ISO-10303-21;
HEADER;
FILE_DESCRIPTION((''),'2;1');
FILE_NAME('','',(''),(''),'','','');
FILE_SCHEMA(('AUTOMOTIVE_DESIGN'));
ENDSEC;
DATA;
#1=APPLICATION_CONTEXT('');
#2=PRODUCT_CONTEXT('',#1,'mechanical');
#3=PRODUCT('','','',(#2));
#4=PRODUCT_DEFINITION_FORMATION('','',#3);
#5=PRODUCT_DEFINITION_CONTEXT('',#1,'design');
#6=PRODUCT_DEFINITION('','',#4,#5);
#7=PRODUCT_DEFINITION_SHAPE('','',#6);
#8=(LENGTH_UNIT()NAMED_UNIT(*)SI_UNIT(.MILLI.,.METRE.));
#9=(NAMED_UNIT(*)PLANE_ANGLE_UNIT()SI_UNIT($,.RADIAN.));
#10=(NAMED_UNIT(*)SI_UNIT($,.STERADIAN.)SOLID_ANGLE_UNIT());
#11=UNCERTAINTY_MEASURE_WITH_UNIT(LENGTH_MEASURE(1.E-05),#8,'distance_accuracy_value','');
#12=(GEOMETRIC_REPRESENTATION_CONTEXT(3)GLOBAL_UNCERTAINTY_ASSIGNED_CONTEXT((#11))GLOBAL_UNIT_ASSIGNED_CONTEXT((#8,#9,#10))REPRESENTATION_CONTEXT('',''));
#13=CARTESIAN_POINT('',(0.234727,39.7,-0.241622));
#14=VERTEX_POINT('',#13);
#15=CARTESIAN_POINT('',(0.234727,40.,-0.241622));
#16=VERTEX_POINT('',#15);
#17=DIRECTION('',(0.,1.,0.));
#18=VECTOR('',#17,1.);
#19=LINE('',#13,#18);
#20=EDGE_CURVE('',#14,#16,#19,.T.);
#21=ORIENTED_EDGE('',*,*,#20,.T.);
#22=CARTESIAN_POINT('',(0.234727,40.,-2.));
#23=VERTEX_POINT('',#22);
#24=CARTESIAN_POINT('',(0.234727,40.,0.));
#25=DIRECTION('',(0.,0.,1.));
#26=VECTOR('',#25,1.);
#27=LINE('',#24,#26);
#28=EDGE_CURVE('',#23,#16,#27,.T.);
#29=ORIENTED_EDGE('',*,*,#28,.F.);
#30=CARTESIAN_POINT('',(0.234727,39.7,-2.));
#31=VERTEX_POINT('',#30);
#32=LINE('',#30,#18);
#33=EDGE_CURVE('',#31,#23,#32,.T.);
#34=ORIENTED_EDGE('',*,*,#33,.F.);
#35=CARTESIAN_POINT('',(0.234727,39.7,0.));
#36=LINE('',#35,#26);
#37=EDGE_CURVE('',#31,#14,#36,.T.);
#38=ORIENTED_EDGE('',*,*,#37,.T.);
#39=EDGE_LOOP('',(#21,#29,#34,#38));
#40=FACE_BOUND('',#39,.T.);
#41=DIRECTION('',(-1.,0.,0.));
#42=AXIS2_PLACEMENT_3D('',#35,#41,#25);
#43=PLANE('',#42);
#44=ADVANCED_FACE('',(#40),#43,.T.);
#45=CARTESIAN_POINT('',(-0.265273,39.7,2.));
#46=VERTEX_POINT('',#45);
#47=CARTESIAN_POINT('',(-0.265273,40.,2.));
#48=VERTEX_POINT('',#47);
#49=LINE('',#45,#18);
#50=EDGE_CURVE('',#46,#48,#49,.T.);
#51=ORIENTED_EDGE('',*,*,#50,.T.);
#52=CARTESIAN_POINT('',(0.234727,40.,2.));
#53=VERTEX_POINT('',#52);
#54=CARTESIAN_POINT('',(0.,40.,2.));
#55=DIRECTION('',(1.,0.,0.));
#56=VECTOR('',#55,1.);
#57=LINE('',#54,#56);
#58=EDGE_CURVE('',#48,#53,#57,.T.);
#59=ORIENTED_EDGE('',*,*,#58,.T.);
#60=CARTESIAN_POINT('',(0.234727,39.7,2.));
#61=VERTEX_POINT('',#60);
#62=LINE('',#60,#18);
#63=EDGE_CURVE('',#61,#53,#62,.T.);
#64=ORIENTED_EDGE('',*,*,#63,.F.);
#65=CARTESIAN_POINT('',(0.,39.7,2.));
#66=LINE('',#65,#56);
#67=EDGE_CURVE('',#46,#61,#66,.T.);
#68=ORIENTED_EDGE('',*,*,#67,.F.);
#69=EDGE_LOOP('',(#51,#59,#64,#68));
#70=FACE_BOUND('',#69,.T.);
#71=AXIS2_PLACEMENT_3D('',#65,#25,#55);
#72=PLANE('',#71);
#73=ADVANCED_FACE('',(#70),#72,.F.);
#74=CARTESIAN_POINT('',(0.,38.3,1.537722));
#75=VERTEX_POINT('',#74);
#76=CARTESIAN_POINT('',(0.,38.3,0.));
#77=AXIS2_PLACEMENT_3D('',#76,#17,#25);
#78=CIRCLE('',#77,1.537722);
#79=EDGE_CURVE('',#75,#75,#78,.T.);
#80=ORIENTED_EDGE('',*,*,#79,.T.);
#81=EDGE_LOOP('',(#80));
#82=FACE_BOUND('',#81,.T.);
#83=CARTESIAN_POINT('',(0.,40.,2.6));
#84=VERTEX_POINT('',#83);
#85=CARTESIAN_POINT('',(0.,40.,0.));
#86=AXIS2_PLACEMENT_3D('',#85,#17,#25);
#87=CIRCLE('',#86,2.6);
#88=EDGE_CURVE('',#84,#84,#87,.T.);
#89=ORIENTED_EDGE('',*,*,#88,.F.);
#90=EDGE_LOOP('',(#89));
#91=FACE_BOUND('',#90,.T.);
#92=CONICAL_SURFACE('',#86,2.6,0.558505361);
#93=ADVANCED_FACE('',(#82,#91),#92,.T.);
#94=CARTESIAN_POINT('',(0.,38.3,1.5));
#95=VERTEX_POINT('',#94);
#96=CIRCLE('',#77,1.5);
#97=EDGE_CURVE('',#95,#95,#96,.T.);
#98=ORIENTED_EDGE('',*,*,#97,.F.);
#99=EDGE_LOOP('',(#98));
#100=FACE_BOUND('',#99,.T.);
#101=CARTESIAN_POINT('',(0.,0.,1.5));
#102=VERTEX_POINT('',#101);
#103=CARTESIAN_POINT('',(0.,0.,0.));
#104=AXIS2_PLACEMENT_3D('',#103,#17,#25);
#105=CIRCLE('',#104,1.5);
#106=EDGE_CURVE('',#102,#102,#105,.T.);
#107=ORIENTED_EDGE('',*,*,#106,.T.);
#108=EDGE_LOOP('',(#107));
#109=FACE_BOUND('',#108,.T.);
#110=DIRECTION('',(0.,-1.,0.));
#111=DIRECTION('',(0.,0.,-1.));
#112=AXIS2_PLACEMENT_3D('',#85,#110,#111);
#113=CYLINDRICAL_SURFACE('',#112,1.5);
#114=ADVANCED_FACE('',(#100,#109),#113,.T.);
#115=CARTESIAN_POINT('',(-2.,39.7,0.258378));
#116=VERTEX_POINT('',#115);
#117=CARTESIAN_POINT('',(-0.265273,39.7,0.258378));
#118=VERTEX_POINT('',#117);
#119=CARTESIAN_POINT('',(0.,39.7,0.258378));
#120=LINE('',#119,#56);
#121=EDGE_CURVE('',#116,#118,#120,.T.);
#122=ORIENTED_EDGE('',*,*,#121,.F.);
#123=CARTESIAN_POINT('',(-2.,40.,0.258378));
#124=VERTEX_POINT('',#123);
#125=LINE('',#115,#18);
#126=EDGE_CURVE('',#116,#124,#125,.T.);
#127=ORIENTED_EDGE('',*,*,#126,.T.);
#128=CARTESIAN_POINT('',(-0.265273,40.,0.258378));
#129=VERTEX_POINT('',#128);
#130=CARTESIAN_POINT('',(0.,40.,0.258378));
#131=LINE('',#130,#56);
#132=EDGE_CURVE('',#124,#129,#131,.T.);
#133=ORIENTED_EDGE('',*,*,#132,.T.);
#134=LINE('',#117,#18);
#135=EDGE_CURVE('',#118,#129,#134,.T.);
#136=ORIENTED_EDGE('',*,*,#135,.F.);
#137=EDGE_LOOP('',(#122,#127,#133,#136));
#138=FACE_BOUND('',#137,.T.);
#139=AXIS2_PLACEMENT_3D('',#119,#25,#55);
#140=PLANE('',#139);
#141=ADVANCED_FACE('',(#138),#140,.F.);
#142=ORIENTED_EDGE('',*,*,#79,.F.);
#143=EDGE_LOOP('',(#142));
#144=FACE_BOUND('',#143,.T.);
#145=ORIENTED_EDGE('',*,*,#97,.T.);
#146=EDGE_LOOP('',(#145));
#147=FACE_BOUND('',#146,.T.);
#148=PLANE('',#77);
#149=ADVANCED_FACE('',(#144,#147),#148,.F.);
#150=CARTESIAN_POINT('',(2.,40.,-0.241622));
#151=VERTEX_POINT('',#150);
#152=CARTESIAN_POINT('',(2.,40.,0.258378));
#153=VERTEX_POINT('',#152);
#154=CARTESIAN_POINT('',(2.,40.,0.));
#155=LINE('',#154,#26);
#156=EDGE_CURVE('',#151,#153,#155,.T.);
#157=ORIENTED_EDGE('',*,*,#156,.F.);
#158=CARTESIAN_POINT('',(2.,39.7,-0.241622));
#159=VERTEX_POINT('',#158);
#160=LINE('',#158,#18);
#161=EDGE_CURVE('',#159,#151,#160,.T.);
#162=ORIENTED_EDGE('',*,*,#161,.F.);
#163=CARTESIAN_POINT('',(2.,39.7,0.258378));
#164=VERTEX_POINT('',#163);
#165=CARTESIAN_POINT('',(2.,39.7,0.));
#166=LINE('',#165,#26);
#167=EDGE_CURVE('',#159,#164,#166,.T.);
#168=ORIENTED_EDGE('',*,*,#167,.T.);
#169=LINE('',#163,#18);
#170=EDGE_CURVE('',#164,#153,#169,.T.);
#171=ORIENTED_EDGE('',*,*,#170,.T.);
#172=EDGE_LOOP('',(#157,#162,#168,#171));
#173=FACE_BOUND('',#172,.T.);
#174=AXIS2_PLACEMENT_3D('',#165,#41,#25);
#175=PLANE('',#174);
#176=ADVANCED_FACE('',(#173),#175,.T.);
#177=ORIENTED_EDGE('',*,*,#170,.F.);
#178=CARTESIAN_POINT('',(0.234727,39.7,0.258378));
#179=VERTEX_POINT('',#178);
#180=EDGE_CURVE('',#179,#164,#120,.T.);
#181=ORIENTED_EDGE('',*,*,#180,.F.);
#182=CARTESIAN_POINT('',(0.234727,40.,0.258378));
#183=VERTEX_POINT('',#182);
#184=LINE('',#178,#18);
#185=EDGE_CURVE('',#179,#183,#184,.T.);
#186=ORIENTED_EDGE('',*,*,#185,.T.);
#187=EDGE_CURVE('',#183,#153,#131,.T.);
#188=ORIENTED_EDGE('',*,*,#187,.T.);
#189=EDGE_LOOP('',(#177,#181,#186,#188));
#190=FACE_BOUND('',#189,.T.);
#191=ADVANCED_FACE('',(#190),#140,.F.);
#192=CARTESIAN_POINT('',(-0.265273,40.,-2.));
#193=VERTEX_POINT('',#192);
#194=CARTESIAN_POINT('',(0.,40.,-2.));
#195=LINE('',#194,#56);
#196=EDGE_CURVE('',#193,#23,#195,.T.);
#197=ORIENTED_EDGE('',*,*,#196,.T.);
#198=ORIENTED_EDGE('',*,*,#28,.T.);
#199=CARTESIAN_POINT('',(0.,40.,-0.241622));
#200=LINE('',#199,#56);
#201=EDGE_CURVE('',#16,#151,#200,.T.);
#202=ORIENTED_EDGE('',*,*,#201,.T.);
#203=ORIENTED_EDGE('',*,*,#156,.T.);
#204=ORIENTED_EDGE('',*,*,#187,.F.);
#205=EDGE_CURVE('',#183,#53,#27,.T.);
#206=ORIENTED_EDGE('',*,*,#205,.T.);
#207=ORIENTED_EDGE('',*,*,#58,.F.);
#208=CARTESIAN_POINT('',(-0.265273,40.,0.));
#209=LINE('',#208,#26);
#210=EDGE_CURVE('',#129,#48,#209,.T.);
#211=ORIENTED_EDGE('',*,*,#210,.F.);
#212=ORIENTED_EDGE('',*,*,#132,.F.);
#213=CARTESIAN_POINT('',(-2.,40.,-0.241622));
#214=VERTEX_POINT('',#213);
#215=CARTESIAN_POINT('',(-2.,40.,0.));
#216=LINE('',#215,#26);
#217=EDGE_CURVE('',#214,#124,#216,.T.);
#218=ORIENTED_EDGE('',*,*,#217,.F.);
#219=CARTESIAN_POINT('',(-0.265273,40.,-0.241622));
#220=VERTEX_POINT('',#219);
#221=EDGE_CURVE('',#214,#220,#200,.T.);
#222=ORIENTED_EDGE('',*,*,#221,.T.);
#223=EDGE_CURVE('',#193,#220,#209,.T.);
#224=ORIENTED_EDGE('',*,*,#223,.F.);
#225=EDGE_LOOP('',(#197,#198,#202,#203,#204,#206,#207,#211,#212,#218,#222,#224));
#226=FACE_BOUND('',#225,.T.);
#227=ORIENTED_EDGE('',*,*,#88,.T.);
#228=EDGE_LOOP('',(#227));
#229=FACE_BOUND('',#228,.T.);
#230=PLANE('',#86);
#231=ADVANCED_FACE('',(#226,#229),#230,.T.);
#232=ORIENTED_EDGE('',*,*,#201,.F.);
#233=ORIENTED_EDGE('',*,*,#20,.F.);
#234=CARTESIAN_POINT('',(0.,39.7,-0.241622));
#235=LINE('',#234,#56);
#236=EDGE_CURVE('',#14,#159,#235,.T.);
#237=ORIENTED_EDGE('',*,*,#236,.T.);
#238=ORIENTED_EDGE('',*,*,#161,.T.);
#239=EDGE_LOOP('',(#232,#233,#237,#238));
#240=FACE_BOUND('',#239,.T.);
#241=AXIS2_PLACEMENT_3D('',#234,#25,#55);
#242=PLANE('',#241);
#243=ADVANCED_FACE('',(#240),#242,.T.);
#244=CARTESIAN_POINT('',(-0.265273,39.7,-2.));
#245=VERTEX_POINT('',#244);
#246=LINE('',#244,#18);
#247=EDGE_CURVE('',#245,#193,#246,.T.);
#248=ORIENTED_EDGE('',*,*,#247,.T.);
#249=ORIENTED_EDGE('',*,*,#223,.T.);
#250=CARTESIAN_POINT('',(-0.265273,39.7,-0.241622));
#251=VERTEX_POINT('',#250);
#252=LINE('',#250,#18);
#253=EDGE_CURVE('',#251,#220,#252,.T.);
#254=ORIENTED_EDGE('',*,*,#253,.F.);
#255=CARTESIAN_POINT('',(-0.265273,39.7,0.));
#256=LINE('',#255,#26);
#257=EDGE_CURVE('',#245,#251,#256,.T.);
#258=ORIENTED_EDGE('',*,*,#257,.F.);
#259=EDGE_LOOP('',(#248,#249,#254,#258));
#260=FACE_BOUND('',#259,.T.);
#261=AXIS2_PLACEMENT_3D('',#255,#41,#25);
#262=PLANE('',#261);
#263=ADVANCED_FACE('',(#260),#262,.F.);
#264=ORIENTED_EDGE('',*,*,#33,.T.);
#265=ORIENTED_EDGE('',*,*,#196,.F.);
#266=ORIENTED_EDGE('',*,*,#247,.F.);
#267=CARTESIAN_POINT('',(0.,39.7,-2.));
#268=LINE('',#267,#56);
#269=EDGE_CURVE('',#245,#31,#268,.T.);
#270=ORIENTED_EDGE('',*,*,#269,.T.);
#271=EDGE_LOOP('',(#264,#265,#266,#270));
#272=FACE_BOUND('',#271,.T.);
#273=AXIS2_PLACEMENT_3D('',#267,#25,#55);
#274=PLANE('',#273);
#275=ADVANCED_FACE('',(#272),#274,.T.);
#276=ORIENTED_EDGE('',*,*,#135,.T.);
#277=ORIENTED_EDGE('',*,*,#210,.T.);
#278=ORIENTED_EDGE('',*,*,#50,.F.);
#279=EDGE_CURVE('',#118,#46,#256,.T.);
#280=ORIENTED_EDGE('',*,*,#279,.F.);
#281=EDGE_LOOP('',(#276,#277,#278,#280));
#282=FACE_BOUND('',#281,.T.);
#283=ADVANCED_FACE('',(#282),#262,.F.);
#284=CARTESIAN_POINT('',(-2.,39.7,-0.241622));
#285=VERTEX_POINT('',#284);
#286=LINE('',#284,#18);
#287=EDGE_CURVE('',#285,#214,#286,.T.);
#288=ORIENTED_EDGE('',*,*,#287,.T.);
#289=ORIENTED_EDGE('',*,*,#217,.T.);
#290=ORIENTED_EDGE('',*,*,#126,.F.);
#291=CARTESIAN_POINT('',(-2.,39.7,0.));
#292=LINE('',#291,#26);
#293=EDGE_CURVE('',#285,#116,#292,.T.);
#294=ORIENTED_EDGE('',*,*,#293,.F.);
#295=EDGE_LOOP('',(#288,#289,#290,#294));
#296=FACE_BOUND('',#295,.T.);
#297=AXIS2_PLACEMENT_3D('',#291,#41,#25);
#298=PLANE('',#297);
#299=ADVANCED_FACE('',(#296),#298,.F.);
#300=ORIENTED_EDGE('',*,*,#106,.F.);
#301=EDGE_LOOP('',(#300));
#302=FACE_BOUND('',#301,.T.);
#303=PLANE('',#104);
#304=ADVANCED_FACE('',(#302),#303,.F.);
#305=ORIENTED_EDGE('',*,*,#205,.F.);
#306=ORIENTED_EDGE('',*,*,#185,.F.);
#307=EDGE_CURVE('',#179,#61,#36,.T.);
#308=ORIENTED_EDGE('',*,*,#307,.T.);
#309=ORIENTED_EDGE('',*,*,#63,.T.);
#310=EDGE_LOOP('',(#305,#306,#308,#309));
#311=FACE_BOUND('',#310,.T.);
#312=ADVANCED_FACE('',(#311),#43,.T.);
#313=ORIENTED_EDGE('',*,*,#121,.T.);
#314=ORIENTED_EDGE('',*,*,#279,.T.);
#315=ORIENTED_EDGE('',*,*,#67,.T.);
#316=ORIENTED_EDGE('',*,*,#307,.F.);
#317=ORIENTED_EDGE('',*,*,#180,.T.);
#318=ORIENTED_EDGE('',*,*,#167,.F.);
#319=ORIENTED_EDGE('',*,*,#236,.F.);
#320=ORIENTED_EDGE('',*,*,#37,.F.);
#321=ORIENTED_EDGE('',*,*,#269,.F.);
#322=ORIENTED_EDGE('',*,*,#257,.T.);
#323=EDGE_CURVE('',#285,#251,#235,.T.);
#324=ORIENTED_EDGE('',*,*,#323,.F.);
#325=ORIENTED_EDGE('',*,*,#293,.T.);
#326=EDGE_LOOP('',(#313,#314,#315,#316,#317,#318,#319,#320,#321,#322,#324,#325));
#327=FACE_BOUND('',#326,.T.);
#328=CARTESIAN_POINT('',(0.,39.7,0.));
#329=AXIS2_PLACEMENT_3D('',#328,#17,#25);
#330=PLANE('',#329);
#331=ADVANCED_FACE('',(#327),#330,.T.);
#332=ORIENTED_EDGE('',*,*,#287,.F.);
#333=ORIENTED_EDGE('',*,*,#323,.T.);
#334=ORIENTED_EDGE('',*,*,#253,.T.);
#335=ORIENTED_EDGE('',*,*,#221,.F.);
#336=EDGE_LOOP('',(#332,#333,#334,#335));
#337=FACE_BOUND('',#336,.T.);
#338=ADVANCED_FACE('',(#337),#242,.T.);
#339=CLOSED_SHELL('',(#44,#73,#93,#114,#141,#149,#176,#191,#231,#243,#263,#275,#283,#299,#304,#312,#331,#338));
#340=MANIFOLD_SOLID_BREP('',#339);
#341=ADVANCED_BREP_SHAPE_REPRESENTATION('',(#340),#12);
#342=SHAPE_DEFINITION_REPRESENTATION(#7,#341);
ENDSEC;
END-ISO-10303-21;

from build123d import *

# Parameters (mm, degrees)
SKETCH1_R           = 1.5
BOSS_EXTRUDE1_DEPTH = 40
SKETCH2_R           = 2.6
BOSS_EXTRUDE2_DEPTH = 1.7
BOSS_EXTRUDE2_TAPER = 32
SKETCH3_W           = 0.5
SKETCH3_H           = 1.758378485
SKETCH3_H_2         = 1.741621515
SKETCH3_W_2         = 1.734727157
SKETCH3_H_3         = 0.5
SKETCH3_W_3         = 1.765272843
CUT_EXTRUDE1_DEPTH  = 0.3


with BuildPart() as part:
    # Sketch1 → Boss-Extrude1 (new body)
    with BuildSketch(Plane(origin=(0, 0, 0), x_dir=(1, 0, 0), z_dir=(0, 1, 0))):
        Circle(SKETCH1_R)
    extrude(amount=BOSS_EXTRUDE1_DEPTH)

    # Sketch2 → Boss-Extrude2 (add)
    with BuildSketch(Plane(origin=(0, 40, 0), x_dir=(1, 0, 0), z_dir=(0, 1, 0))):
        Circle(SKETCH2_R)
    extrude(amount=-BOSS_EXTRUDE2_DEPTH, taper=BOSS_EXTRUDE2_TAPER)

    # Sketch3 → Cut-Extrude1 (cut)
    with BuildSketch(Plane(origin=(0, 40, 0), x_dir=(1, 0, 0), z_dir=(0, 1, 0))):
        with Locations((-0.015272843, 1.120810757)):
            Rectangle(SKETCH3_W, SKETCH3_H)
        with Locations((-0.015272843, -1.129189243)):
            Rectangle(SKETCH3_W, SKETCH3_H_2)
        with Locations((-1.132636421, -0.008378485)):
            Rectangle(SKETCH3_W_2, SKETCH3_H_3)
        with Locations((1.117363579, -0.008378485)):
            Rectangle(SKETCH3_W_3, SKETCH3_H_3)
        with Locations((-0.015272843, -0.008378485)):
            Rectangle(SKETCH3_W, SKETCH3_H_3)
    extrude(amount=-CUT_EXTRUDE1_DEPTH, mode=Mode.SUBTRACT)


solid = part.part
